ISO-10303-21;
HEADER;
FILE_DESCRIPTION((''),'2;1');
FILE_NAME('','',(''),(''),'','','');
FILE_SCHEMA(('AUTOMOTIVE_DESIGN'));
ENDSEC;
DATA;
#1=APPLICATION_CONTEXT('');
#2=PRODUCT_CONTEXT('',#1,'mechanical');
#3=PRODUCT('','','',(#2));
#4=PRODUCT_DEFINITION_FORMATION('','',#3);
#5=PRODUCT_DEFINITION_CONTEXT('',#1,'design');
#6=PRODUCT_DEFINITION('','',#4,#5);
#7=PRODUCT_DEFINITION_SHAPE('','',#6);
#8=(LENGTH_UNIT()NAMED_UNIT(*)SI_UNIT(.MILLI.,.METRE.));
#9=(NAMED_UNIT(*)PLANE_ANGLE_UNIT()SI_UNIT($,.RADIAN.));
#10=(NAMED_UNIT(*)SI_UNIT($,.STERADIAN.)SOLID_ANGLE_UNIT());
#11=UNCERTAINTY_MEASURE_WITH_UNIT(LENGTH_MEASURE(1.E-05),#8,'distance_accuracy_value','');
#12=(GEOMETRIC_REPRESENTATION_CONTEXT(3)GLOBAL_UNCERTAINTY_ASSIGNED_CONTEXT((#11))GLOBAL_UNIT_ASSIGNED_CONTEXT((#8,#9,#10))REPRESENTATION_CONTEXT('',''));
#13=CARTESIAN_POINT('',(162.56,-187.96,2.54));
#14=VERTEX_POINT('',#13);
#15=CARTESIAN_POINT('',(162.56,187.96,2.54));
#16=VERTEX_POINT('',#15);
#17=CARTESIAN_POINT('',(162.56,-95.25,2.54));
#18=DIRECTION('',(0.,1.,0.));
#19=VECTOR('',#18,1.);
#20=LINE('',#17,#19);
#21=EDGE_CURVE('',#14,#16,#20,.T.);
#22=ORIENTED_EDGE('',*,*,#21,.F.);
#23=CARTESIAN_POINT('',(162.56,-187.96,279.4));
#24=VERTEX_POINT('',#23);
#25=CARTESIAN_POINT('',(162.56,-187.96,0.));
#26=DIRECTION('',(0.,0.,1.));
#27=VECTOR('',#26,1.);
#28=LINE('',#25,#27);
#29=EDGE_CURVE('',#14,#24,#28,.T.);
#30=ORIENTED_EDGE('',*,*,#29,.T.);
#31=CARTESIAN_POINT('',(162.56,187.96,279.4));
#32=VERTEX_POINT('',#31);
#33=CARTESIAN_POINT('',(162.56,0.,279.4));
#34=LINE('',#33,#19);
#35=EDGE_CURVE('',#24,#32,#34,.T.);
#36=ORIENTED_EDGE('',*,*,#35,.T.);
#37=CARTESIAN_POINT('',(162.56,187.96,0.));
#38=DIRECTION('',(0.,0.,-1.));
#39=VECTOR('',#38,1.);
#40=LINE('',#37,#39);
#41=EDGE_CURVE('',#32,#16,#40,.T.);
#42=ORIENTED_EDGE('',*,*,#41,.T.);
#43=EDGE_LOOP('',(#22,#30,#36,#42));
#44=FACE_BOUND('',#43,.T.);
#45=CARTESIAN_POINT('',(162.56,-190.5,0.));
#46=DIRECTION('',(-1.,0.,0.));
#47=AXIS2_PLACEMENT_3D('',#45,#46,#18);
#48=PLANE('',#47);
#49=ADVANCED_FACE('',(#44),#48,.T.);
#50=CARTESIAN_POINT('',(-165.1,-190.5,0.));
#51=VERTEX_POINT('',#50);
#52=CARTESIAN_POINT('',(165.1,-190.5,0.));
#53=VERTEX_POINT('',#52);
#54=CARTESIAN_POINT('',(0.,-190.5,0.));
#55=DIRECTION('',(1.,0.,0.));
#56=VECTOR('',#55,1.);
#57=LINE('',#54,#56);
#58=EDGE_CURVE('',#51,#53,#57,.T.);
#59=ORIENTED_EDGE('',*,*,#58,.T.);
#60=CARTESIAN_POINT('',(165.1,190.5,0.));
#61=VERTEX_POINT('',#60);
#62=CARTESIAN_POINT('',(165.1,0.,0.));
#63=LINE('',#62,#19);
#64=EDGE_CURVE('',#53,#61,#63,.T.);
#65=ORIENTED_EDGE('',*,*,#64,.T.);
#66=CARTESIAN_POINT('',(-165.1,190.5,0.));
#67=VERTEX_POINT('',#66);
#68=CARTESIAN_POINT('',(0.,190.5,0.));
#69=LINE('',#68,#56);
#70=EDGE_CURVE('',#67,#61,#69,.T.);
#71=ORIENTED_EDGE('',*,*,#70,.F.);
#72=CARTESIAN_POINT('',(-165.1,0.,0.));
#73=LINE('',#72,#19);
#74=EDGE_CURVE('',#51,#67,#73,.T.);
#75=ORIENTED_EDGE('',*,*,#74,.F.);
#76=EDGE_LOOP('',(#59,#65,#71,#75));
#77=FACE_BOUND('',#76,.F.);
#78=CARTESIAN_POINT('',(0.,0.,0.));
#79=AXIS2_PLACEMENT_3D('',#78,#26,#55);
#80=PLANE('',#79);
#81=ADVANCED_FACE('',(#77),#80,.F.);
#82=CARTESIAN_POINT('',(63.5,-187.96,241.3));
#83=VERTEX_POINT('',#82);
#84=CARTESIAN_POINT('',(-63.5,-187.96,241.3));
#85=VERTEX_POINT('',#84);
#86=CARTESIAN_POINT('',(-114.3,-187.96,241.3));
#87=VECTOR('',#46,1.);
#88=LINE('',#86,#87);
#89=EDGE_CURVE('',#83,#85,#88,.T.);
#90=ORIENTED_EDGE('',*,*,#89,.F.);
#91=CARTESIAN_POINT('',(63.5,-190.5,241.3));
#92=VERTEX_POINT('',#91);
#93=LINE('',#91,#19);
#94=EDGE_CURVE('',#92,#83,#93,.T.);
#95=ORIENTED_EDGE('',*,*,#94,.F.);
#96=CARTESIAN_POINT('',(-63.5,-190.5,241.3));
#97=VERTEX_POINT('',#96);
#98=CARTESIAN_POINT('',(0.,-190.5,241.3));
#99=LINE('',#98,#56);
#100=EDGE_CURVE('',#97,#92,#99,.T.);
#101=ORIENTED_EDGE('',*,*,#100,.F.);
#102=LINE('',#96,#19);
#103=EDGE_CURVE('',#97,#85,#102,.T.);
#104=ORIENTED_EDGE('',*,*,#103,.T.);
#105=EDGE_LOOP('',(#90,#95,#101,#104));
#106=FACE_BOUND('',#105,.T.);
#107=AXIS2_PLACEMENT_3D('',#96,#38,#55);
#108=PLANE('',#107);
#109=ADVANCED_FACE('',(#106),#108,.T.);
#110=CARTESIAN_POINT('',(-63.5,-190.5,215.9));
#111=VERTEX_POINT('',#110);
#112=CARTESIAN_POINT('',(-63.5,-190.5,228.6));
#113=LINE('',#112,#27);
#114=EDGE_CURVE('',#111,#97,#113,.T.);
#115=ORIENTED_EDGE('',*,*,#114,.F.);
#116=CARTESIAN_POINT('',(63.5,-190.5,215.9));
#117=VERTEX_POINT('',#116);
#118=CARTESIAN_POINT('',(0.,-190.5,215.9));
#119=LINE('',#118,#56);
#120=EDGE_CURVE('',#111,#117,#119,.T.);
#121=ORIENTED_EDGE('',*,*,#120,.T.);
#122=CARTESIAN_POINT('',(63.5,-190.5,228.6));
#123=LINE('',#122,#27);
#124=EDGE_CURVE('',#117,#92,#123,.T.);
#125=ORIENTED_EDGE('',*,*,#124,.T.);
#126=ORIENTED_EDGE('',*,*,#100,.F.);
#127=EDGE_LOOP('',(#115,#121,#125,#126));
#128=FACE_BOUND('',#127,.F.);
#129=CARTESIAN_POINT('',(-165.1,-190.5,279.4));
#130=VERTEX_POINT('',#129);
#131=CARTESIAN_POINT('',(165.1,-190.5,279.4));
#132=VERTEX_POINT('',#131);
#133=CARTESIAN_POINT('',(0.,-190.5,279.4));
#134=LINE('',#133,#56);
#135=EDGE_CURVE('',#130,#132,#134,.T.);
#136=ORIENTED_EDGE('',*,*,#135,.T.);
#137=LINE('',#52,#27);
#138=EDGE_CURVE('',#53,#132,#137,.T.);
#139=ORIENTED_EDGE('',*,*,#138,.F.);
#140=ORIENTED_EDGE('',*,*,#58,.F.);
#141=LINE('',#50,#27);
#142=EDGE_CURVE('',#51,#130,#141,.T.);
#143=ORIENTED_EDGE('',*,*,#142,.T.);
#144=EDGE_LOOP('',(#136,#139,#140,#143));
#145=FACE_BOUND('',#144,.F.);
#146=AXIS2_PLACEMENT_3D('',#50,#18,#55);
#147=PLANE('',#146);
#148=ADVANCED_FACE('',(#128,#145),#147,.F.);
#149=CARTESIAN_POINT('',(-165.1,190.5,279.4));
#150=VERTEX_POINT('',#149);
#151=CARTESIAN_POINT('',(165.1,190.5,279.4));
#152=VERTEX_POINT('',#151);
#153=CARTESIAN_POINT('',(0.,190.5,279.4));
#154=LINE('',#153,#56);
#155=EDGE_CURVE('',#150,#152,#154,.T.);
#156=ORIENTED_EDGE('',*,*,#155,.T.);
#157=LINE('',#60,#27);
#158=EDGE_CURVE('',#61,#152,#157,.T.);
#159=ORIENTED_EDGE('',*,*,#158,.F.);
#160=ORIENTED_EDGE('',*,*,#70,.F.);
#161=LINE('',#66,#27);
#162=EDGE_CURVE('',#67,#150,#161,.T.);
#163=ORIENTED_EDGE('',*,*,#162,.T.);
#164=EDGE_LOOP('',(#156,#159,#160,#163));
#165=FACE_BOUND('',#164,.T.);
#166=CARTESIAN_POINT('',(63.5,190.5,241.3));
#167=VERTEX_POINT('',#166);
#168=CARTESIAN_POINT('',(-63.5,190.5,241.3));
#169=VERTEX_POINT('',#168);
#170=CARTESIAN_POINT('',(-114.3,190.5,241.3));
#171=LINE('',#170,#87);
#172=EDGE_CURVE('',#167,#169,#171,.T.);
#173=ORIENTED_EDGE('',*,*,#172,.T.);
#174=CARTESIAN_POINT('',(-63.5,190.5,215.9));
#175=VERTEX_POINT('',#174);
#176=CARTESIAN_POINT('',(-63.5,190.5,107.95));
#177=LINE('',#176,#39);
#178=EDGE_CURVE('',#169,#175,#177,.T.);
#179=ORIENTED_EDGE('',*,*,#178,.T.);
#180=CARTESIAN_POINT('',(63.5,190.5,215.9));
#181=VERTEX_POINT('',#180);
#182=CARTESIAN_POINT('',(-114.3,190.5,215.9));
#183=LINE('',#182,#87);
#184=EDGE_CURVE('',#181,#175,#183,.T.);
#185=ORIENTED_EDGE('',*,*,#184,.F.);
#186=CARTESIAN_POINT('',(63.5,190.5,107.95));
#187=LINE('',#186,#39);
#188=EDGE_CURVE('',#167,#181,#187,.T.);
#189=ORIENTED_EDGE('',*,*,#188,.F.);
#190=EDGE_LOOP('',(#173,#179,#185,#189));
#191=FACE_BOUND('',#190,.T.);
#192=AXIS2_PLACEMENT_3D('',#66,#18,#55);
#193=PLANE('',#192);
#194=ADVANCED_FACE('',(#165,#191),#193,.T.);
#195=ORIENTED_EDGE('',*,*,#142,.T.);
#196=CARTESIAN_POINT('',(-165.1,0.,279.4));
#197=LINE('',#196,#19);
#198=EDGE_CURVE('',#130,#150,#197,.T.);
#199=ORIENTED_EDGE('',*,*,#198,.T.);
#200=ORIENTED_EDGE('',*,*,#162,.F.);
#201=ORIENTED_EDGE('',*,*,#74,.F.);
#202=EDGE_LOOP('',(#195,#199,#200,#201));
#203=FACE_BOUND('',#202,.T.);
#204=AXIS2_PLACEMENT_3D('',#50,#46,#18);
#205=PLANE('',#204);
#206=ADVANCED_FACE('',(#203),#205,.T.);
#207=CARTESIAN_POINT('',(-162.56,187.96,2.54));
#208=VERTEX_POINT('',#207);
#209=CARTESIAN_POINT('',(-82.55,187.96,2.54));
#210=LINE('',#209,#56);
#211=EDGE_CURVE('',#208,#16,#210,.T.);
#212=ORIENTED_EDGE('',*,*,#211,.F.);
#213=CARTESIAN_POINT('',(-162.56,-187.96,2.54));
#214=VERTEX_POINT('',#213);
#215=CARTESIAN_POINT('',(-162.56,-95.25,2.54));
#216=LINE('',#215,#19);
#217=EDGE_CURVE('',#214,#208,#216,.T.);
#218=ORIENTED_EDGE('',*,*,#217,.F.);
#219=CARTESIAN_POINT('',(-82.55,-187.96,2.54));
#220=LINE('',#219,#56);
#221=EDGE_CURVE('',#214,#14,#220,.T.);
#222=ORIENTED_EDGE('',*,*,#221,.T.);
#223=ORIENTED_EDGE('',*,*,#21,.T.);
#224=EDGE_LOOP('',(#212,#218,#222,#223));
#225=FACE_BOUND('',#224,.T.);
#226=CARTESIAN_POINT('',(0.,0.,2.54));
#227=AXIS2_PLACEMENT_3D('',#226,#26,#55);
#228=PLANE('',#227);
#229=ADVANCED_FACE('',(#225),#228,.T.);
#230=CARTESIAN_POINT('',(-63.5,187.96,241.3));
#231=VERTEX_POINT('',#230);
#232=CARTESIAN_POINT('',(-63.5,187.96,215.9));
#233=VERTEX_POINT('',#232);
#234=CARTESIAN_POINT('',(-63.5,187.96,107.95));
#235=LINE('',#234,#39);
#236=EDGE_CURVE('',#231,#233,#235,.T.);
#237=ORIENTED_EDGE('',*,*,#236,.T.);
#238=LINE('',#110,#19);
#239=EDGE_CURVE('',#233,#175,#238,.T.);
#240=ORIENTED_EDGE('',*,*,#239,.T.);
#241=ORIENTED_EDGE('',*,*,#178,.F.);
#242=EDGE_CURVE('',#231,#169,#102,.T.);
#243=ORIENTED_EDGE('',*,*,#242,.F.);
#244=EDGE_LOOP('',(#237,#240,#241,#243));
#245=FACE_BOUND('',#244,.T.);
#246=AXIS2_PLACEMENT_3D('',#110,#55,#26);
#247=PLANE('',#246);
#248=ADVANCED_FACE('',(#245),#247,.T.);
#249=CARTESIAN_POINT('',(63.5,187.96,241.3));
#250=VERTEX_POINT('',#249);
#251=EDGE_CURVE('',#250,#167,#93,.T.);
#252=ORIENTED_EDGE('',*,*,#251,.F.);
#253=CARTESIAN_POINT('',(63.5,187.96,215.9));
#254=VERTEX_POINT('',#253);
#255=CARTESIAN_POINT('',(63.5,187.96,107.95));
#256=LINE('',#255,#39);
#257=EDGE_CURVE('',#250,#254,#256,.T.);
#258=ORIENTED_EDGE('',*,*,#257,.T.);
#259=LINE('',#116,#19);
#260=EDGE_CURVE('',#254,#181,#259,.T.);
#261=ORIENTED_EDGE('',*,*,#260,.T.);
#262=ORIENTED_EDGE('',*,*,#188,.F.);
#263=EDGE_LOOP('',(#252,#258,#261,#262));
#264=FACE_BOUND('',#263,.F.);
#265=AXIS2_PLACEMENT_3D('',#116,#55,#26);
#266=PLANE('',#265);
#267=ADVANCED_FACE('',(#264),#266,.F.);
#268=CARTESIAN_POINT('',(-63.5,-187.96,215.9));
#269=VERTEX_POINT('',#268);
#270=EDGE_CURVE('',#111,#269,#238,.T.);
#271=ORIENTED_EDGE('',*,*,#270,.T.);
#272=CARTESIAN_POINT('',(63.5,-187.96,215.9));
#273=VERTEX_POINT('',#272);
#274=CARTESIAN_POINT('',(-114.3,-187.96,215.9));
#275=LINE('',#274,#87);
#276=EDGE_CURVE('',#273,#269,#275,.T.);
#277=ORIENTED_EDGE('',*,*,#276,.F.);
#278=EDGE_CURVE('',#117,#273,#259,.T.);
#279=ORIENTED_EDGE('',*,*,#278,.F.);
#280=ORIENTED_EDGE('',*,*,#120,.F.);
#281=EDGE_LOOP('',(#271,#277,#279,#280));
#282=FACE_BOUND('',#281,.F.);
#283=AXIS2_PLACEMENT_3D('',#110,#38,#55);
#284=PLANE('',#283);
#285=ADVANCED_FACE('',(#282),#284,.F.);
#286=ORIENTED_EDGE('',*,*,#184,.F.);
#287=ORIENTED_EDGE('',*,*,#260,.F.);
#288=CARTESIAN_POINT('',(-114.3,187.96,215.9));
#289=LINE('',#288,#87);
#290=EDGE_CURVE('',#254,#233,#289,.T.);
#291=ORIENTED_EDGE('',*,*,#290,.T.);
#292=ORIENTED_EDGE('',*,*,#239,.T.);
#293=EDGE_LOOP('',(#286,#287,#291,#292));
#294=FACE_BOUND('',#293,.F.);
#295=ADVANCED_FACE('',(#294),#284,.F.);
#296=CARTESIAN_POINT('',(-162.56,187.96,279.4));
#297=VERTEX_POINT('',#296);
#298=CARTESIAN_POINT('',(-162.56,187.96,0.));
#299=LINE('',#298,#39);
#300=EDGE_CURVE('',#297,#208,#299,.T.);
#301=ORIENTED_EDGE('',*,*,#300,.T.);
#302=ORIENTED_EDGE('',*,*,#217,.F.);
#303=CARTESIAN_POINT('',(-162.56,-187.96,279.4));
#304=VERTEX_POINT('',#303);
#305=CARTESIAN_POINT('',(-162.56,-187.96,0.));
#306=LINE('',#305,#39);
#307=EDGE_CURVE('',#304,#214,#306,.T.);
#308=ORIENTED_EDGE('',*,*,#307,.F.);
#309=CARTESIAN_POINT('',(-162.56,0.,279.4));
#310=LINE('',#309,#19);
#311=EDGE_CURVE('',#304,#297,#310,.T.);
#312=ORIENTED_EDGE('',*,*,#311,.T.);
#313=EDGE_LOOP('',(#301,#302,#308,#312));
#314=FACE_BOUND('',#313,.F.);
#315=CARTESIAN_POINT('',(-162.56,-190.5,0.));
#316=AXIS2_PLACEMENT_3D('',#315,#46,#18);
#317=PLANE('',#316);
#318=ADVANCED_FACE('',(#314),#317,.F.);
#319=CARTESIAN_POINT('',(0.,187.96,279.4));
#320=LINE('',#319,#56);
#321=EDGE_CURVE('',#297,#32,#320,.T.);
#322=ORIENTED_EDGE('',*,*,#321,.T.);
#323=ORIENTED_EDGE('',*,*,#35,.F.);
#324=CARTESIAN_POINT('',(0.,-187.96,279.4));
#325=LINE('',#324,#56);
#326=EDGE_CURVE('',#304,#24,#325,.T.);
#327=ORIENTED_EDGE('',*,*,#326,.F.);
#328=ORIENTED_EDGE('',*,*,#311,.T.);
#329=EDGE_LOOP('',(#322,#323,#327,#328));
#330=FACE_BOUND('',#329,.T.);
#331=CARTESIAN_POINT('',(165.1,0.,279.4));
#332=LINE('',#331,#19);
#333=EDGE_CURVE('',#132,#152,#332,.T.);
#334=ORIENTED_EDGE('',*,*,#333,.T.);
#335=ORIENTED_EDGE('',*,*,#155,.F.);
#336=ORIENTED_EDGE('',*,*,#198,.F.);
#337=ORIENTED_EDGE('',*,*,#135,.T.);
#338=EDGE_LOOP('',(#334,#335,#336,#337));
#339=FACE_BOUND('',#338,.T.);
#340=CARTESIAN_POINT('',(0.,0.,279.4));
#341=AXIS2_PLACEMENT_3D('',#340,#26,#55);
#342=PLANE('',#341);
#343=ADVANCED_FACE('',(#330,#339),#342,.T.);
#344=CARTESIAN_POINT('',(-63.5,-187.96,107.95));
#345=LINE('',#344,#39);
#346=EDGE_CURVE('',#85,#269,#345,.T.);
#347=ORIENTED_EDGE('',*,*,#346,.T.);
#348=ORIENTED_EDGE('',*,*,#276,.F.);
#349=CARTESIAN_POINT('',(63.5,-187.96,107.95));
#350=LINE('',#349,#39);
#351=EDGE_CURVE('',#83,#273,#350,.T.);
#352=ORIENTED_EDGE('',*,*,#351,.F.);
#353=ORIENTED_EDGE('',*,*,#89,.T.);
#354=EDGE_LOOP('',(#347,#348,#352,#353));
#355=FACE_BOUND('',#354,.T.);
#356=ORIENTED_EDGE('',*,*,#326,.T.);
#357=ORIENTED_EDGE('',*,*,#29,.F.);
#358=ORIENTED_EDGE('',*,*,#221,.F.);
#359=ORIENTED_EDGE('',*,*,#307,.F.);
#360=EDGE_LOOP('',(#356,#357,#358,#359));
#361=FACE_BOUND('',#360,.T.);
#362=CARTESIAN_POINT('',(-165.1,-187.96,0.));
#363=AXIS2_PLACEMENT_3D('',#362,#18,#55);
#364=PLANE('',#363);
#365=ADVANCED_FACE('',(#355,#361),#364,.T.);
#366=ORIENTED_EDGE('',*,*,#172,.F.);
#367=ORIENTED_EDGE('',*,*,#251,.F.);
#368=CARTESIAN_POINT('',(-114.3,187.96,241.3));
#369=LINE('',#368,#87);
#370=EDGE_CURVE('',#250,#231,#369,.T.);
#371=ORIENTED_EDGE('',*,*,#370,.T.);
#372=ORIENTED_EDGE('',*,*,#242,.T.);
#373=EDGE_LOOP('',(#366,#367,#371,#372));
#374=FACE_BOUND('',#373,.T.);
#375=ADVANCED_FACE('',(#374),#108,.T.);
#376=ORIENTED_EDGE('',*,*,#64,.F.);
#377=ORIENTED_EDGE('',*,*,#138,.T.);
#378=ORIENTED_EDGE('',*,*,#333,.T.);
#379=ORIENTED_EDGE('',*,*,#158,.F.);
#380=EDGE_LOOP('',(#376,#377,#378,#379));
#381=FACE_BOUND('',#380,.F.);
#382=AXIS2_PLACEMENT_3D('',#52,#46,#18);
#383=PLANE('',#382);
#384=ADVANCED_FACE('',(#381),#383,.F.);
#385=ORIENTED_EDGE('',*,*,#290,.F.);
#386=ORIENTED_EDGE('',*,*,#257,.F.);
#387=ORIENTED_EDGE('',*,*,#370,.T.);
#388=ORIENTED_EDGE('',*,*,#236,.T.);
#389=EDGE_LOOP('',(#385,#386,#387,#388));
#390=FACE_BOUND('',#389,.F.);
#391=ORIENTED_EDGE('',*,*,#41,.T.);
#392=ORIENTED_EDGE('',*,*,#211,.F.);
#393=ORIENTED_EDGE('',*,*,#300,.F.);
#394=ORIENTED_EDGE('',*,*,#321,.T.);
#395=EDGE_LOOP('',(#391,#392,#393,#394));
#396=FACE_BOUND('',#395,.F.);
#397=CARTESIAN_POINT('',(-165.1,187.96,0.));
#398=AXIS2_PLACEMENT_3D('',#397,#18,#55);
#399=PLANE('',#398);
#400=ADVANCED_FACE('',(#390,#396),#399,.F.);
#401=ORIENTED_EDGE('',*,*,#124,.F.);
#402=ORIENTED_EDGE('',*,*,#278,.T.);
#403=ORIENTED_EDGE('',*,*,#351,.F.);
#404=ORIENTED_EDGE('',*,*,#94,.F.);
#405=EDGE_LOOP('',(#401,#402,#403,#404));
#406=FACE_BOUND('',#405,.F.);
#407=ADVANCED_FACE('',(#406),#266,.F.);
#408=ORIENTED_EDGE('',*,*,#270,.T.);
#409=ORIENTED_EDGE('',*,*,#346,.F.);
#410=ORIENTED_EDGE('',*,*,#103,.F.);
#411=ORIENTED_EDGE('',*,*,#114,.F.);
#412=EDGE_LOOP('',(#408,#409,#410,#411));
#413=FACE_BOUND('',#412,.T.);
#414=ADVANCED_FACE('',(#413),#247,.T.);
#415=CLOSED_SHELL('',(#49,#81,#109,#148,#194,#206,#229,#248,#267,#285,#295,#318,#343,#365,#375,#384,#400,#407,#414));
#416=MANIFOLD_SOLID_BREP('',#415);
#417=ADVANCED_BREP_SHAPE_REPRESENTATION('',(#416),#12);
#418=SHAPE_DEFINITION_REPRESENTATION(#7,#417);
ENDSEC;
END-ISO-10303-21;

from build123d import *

# Parameters (mm, degrees)
F0_W     = 330.2
F0_H     = 381
F1_DEPTH = 279.4
F2_T     = -2.54
F3_W     = 127
F3_H     = 25.4
F4_DEPTH = 381.001


with BuildPart() as f1:
    # F0 (on Top) → F1 (new body)
    with BuildSketch(Plane.XY):
        Rectangle(F0_W, F0_H)
    extrude(amount=F1_DEPTH)

    # F2
    f2_openings = [f1.faces().sort_by_distance(p)[0] for p in [
        (0, 0, 279.4),
    ]]
    offset(amount=F2_T, openings=f2_openings)

    # F3 (on face) → F4 (cut, through all)
    with BuildSketch(Plane.XZ.offset(190.5)):
        with Locations((0, 228.6)):
            Rectangle(F3_W, F3_H)
    extrude(amount=-F4_DEPTH, mode=Mode.SUBTRACT)


solid = f1.part
